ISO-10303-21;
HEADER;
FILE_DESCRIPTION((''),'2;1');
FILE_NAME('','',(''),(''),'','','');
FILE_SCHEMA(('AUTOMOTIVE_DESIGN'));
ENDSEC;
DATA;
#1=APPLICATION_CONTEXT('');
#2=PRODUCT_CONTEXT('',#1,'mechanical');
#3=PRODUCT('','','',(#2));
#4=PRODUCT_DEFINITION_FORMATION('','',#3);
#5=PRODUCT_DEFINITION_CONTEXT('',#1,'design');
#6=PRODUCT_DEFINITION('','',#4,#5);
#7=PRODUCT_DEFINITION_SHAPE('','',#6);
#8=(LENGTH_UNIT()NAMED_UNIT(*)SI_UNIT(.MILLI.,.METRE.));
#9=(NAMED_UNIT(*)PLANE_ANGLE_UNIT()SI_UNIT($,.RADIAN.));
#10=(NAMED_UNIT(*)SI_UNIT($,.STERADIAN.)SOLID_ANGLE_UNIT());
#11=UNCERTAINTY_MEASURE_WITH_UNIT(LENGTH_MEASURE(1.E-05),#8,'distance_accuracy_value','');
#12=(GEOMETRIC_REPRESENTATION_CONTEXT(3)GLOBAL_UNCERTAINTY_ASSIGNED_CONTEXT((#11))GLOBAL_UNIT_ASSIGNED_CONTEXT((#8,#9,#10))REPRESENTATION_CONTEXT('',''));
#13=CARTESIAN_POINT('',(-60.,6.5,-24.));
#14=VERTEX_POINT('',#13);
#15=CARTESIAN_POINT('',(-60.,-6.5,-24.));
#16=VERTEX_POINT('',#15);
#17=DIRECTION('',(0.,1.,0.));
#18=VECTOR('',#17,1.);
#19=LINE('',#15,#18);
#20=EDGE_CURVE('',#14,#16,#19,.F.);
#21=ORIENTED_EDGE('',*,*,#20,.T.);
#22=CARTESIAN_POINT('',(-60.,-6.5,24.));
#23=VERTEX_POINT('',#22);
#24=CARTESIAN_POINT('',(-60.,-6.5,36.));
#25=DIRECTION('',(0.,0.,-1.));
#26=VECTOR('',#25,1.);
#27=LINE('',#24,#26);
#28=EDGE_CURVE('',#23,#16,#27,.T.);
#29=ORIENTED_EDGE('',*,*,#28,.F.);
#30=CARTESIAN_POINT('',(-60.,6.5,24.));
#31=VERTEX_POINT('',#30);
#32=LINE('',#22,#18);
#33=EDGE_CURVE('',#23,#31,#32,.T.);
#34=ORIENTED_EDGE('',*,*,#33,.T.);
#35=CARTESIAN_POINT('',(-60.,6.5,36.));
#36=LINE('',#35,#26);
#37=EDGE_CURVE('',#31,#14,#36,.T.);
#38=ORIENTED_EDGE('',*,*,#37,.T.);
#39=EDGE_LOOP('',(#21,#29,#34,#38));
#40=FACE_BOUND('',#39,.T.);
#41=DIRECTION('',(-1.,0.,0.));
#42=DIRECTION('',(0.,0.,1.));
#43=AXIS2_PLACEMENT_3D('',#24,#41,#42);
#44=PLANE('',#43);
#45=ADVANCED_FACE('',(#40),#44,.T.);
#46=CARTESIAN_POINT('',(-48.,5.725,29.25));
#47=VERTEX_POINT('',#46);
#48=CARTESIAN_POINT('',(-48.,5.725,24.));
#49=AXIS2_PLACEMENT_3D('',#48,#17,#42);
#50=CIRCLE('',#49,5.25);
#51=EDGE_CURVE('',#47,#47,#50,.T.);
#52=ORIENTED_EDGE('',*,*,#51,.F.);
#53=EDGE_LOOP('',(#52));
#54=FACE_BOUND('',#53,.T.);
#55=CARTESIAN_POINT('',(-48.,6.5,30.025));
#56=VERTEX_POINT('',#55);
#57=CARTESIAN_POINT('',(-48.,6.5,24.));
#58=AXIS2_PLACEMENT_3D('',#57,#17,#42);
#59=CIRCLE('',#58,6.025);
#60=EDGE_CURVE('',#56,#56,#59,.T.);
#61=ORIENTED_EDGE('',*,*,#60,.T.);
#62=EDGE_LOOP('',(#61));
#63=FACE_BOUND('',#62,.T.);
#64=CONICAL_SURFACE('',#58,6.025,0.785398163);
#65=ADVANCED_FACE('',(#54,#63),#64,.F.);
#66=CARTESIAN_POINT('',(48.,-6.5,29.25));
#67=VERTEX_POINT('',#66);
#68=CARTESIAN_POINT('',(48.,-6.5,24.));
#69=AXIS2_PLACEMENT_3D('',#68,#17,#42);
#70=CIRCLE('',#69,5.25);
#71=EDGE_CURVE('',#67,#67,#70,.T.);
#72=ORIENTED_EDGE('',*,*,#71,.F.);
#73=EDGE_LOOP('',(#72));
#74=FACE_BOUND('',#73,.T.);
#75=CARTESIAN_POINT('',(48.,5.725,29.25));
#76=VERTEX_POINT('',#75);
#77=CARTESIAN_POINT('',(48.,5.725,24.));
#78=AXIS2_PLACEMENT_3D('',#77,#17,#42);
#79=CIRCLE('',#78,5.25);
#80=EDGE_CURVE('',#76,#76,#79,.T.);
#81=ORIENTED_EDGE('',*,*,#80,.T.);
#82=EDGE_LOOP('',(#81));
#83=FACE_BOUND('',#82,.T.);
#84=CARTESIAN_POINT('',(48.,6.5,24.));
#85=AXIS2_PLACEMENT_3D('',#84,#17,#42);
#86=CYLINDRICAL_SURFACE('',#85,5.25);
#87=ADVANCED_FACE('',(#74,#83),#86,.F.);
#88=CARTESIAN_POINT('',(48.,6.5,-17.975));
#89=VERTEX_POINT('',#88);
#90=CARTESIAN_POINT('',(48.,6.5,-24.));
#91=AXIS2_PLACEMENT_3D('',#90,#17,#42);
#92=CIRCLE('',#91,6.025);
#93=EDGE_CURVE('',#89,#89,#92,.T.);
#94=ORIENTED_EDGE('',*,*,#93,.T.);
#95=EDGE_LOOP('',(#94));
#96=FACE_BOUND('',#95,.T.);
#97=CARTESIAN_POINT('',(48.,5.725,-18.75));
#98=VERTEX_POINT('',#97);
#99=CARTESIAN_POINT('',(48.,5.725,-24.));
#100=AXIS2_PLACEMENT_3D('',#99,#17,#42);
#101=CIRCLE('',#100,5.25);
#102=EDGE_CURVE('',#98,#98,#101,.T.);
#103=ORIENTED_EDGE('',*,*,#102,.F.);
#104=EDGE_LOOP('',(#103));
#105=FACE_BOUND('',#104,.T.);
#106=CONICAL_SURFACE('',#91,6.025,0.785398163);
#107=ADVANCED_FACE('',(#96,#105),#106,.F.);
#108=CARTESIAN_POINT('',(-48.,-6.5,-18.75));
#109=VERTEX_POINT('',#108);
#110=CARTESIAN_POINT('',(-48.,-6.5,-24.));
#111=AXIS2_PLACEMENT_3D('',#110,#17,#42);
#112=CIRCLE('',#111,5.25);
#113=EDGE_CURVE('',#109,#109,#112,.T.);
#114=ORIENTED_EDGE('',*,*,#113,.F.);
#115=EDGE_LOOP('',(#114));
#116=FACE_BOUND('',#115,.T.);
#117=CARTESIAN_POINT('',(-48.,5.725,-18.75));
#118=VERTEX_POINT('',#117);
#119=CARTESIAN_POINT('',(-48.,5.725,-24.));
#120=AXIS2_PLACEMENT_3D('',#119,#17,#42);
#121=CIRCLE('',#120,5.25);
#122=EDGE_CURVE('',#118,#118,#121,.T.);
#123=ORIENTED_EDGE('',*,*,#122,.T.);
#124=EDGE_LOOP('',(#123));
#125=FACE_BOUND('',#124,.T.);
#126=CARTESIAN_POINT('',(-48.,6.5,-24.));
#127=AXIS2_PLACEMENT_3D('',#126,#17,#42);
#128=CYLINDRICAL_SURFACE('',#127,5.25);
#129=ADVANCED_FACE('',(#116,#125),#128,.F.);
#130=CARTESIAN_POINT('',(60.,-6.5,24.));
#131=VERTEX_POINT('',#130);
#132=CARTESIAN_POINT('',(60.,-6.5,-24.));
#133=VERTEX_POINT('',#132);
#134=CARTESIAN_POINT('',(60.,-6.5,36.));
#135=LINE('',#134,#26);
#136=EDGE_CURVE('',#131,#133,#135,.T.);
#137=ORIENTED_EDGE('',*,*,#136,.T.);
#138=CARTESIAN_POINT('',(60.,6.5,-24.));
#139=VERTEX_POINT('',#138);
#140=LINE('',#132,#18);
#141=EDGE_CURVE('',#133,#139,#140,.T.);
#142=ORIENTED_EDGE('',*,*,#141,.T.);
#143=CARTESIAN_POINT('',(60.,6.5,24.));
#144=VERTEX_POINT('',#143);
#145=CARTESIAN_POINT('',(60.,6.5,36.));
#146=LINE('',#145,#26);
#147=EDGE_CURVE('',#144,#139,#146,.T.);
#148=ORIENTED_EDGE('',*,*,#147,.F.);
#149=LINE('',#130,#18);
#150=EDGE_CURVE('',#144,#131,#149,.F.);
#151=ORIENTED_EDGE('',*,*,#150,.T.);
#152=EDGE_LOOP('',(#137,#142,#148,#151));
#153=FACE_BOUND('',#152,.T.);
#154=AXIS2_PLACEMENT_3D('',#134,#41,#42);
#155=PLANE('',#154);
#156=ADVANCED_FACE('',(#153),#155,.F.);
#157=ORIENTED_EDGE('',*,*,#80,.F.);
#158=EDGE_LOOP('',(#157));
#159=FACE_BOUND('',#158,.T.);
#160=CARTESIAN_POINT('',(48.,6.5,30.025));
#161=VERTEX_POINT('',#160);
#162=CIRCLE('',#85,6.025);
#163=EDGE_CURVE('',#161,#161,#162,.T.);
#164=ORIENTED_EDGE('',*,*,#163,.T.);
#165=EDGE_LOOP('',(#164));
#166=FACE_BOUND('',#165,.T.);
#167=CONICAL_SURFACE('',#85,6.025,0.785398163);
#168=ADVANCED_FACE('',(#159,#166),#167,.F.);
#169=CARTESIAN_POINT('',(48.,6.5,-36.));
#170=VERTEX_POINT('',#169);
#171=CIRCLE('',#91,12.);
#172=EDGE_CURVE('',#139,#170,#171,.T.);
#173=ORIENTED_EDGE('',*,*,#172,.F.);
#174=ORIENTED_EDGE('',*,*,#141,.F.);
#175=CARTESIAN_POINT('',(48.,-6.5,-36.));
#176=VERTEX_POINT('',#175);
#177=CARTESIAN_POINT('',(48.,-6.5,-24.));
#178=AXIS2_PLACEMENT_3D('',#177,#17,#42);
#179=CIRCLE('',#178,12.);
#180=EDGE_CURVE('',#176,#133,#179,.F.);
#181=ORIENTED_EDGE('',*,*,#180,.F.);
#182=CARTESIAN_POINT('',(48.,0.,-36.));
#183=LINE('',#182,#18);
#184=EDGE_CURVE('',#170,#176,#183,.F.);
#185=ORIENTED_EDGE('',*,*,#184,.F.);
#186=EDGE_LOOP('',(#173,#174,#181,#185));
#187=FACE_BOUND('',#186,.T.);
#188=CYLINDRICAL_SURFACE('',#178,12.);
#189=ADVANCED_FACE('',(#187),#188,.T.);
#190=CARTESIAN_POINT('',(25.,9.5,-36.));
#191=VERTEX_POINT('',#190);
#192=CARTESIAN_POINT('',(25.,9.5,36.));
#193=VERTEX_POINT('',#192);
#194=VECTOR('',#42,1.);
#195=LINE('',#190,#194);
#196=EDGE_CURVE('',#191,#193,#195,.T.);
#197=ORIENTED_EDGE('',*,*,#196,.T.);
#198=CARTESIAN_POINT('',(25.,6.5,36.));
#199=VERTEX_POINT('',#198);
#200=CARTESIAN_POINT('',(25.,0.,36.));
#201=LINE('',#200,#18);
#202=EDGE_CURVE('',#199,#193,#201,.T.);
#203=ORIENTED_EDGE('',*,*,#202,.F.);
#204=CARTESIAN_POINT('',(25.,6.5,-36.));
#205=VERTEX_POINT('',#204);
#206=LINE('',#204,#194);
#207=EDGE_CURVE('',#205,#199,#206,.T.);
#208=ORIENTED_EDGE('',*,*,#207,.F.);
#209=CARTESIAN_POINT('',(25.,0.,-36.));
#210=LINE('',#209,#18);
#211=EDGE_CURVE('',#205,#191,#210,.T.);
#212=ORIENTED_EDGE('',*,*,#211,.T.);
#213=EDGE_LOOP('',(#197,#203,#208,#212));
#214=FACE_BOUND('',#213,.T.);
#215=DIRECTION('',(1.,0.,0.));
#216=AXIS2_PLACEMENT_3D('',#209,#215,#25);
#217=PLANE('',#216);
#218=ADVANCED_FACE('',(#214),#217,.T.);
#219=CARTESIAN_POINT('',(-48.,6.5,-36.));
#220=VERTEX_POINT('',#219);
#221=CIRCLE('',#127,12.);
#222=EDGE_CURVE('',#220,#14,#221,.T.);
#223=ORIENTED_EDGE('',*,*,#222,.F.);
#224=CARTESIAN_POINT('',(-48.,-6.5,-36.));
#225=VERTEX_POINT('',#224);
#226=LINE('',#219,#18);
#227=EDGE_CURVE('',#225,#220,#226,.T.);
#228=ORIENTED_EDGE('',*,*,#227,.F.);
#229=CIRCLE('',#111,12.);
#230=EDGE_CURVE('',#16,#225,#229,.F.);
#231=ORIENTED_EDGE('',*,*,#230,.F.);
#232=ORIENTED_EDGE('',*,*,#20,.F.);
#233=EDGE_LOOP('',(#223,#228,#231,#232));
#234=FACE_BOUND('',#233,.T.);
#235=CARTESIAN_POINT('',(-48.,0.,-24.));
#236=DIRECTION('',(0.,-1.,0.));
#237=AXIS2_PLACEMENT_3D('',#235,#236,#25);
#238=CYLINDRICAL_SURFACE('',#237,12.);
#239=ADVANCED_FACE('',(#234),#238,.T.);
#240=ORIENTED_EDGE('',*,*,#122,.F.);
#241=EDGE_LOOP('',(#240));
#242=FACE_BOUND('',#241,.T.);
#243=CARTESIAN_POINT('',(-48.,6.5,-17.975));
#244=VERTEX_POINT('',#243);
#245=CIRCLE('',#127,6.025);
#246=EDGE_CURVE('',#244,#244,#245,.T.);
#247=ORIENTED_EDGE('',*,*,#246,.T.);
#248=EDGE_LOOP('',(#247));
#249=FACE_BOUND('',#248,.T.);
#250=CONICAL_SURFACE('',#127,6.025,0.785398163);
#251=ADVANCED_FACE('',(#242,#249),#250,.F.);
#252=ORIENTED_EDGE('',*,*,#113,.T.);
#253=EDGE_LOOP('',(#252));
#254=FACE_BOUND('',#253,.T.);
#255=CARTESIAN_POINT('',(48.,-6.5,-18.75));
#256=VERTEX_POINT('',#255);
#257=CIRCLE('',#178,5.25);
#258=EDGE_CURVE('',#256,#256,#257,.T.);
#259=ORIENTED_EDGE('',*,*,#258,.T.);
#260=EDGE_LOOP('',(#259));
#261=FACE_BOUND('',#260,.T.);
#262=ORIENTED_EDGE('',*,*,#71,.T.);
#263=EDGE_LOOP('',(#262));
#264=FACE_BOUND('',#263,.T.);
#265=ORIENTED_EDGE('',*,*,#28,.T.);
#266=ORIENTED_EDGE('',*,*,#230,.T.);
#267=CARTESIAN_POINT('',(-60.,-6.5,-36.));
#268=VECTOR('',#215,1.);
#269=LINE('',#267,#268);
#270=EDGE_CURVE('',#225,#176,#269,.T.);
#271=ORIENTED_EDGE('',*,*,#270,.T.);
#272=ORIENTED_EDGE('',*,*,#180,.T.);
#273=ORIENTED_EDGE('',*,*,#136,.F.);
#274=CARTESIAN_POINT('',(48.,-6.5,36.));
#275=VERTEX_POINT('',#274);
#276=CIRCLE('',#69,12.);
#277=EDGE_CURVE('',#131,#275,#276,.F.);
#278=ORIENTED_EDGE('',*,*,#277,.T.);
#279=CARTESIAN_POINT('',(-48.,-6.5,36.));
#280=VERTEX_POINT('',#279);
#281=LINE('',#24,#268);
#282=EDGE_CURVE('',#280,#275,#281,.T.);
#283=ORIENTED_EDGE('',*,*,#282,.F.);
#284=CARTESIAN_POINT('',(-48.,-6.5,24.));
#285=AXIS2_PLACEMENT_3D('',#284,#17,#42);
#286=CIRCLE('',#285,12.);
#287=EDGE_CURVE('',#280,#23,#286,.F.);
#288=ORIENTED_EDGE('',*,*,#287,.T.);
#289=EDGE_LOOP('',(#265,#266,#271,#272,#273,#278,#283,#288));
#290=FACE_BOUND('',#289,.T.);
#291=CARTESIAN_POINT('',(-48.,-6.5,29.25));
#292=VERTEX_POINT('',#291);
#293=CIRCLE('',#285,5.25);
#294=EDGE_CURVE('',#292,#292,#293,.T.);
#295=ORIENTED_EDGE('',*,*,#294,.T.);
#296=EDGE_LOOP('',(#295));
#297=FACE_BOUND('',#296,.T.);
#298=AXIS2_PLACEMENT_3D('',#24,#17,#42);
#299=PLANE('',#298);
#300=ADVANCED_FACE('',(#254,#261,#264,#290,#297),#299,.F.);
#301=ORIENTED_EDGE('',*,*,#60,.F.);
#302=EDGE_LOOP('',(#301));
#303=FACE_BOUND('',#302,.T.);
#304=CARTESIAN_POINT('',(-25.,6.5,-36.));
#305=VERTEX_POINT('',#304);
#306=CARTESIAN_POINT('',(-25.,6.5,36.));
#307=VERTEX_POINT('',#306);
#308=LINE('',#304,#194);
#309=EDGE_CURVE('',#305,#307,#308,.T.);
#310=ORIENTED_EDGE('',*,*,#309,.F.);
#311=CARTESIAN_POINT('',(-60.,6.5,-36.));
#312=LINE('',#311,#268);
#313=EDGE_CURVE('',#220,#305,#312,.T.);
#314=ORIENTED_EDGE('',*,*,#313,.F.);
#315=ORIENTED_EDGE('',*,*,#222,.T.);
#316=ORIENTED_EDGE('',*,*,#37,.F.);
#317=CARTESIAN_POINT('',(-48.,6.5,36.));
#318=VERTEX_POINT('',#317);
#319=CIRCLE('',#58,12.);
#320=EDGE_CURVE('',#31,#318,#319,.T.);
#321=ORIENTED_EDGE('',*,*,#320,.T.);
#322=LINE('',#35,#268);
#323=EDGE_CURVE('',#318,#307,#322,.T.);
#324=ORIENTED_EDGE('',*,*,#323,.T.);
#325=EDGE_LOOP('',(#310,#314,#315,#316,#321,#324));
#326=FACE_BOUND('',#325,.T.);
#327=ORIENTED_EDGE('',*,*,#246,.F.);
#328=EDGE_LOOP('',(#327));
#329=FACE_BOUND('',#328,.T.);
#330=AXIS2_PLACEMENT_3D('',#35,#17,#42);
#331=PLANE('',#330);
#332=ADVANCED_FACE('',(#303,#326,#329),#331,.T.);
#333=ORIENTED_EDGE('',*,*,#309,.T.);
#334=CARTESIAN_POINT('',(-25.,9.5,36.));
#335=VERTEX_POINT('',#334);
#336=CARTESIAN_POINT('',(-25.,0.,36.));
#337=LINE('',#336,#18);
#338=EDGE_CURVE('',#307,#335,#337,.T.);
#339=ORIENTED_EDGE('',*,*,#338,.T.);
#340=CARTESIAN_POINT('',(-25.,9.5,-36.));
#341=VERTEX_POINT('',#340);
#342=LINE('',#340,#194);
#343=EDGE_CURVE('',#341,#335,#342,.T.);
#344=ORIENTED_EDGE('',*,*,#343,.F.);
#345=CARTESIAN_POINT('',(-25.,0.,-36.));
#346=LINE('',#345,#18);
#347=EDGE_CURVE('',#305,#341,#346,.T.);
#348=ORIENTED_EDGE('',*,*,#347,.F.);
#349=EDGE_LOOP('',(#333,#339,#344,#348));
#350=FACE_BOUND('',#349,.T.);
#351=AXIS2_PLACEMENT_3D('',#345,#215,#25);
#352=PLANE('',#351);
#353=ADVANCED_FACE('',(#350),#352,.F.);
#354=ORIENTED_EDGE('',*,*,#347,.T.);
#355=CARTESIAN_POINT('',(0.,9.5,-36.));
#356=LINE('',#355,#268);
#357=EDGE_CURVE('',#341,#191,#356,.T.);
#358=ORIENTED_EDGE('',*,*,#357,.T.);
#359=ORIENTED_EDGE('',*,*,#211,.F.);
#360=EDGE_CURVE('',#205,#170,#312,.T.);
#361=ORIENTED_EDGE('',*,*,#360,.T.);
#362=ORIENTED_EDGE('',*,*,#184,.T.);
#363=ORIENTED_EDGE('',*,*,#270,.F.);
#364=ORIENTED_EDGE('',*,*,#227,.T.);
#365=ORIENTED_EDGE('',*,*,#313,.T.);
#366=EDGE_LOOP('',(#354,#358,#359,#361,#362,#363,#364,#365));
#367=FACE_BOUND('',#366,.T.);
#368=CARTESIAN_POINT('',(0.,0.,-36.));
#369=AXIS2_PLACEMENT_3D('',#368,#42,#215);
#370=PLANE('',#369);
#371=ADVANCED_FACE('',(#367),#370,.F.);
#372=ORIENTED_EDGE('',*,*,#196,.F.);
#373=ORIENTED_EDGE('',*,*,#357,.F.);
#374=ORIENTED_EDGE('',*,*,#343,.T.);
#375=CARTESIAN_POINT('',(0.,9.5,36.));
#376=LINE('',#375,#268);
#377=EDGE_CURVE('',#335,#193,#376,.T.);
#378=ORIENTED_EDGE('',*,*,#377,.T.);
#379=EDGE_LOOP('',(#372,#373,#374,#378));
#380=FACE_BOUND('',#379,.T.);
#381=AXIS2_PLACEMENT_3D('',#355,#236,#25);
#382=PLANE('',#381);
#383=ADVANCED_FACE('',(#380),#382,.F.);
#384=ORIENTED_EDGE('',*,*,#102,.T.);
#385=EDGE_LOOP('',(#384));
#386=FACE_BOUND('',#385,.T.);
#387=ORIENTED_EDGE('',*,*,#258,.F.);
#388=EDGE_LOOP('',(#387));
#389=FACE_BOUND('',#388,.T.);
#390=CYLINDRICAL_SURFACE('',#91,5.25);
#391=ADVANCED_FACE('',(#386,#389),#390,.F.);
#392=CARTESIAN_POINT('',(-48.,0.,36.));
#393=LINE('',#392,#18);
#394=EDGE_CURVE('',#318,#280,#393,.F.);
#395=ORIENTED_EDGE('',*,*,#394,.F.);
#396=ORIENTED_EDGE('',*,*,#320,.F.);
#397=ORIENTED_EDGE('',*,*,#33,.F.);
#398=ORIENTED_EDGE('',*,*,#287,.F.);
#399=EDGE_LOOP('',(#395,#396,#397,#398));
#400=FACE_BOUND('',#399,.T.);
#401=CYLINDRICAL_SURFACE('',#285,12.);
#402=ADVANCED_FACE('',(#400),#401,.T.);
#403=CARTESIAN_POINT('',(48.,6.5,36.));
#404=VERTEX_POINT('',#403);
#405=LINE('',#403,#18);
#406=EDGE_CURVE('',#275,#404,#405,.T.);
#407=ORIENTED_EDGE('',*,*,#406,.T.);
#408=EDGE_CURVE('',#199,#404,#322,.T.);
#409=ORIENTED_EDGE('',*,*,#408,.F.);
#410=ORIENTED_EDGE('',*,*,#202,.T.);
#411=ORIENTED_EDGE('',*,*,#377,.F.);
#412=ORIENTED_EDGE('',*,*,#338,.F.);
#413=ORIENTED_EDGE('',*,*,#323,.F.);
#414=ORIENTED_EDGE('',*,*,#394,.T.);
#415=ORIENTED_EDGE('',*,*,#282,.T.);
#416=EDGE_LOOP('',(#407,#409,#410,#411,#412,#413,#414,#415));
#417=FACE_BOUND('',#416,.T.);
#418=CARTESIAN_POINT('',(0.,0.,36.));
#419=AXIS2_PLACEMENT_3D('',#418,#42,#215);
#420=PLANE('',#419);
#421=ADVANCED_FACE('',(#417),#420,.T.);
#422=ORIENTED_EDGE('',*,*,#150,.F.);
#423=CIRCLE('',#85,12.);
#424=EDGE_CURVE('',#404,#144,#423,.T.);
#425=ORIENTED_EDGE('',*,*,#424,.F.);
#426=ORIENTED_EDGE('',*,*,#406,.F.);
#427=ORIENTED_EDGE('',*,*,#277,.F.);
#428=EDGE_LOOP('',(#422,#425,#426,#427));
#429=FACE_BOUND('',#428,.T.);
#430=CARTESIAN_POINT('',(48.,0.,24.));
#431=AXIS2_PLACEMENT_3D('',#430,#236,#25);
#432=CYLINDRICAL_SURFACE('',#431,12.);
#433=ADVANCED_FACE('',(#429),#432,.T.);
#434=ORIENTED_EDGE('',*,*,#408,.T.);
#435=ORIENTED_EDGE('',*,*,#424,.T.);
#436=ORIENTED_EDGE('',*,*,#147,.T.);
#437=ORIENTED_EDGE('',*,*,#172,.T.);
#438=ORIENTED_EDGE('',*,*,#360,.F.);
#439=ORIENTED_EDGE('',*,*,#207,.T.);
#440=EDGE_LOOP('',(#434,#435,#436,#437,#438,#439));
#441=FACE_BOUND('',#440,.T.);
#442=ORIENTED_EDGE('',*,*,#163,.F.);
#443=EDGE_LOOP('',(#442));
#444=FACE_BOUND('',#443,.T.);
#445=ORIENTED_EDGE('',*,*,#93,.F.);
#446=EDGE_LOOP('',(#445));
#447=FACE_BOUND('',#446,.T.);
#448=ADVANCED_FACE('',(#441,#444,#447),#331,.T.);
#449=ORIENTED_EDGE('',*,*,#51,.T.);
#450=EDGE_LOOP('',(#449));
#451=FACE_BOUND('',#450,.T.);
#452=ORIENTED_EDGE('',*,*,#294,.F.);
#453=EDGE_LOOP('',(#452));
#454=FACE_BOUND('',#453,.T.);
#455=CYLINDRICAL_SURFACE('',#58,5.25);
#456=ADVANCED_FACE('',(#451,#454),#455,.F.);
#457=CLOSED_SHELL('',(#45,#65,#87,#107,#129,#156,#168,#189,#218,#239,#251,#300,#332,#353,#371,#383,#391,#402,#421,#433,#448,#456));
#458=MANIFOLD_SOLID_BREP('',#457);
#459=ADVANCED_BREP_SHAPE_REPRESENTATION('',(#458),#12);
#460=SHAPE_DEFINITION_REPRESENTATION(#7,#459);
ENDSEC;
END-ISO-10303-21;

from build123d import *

# Parameters (mm, degrees)
BOSS_EXTRUDE1_DEPTH              = 36
BOSS_EXTRUDE1_DEPTH_BACK         = 36
FILLET1_R                        = 12
M12X1_5_TAPPED_HOLE1_D           = 10.5
M12X1_5_TAPPED_HOLE1_CSINK_D     = 12.05
M12X1_5_TAPPED_HOLE1_CSINK_ANGLE = 90


with BuildPart() as part:
    # Sketch1 → Boss-Extrude1 (new, two sides: drawn at the far end of the back side and taken through both)
    with BuildSketch(Plane.XY.offset(-BOSS_EXTRUDE1_DEPTH_BACK)):
        Polygon((-60, 6.5), (-60, -6.5), (60, -6.5), (60, 6.5), (25, 6.5), (25, 9.5), (-25, 9.5), (-25, 6.5), align=None)
    extrude(amount=BOSS_EXTRUDE1_DEPTH + BOSS_EXTRUDE1_DEPTH_BACK)

    # Fillet1
    fillet1_edges = [part.edges().sort_by_distance(p)[0] for p in [
        (-60, 0, -36),
        (-60, 0, 36),
        (60, 0, -36),
        (60, 0, 36),
    ]]
    fillet(fillet1_edges, radius=FILLET1_R)

    # M12x1.5 Tapped Hole1 (through all)
    with Locations(Plane(origin=(0, 6.5, 0), x_dir=(1, 0, 0), z_dir=(0, 1, 0))):
        with Locations((-48, -24), (-48, 24), (48, 24), (48, -24)):
            CounterSinkHole(M12X1_5_TAPPED_HOLE1_D / 2, M12X1_5_TAPPED_HOLE1_CSINK_D / 2, counter_sink_angle=M12X1_5_TAPPED_HOLE1_CSINK_ANGLE)


solid = part.part
